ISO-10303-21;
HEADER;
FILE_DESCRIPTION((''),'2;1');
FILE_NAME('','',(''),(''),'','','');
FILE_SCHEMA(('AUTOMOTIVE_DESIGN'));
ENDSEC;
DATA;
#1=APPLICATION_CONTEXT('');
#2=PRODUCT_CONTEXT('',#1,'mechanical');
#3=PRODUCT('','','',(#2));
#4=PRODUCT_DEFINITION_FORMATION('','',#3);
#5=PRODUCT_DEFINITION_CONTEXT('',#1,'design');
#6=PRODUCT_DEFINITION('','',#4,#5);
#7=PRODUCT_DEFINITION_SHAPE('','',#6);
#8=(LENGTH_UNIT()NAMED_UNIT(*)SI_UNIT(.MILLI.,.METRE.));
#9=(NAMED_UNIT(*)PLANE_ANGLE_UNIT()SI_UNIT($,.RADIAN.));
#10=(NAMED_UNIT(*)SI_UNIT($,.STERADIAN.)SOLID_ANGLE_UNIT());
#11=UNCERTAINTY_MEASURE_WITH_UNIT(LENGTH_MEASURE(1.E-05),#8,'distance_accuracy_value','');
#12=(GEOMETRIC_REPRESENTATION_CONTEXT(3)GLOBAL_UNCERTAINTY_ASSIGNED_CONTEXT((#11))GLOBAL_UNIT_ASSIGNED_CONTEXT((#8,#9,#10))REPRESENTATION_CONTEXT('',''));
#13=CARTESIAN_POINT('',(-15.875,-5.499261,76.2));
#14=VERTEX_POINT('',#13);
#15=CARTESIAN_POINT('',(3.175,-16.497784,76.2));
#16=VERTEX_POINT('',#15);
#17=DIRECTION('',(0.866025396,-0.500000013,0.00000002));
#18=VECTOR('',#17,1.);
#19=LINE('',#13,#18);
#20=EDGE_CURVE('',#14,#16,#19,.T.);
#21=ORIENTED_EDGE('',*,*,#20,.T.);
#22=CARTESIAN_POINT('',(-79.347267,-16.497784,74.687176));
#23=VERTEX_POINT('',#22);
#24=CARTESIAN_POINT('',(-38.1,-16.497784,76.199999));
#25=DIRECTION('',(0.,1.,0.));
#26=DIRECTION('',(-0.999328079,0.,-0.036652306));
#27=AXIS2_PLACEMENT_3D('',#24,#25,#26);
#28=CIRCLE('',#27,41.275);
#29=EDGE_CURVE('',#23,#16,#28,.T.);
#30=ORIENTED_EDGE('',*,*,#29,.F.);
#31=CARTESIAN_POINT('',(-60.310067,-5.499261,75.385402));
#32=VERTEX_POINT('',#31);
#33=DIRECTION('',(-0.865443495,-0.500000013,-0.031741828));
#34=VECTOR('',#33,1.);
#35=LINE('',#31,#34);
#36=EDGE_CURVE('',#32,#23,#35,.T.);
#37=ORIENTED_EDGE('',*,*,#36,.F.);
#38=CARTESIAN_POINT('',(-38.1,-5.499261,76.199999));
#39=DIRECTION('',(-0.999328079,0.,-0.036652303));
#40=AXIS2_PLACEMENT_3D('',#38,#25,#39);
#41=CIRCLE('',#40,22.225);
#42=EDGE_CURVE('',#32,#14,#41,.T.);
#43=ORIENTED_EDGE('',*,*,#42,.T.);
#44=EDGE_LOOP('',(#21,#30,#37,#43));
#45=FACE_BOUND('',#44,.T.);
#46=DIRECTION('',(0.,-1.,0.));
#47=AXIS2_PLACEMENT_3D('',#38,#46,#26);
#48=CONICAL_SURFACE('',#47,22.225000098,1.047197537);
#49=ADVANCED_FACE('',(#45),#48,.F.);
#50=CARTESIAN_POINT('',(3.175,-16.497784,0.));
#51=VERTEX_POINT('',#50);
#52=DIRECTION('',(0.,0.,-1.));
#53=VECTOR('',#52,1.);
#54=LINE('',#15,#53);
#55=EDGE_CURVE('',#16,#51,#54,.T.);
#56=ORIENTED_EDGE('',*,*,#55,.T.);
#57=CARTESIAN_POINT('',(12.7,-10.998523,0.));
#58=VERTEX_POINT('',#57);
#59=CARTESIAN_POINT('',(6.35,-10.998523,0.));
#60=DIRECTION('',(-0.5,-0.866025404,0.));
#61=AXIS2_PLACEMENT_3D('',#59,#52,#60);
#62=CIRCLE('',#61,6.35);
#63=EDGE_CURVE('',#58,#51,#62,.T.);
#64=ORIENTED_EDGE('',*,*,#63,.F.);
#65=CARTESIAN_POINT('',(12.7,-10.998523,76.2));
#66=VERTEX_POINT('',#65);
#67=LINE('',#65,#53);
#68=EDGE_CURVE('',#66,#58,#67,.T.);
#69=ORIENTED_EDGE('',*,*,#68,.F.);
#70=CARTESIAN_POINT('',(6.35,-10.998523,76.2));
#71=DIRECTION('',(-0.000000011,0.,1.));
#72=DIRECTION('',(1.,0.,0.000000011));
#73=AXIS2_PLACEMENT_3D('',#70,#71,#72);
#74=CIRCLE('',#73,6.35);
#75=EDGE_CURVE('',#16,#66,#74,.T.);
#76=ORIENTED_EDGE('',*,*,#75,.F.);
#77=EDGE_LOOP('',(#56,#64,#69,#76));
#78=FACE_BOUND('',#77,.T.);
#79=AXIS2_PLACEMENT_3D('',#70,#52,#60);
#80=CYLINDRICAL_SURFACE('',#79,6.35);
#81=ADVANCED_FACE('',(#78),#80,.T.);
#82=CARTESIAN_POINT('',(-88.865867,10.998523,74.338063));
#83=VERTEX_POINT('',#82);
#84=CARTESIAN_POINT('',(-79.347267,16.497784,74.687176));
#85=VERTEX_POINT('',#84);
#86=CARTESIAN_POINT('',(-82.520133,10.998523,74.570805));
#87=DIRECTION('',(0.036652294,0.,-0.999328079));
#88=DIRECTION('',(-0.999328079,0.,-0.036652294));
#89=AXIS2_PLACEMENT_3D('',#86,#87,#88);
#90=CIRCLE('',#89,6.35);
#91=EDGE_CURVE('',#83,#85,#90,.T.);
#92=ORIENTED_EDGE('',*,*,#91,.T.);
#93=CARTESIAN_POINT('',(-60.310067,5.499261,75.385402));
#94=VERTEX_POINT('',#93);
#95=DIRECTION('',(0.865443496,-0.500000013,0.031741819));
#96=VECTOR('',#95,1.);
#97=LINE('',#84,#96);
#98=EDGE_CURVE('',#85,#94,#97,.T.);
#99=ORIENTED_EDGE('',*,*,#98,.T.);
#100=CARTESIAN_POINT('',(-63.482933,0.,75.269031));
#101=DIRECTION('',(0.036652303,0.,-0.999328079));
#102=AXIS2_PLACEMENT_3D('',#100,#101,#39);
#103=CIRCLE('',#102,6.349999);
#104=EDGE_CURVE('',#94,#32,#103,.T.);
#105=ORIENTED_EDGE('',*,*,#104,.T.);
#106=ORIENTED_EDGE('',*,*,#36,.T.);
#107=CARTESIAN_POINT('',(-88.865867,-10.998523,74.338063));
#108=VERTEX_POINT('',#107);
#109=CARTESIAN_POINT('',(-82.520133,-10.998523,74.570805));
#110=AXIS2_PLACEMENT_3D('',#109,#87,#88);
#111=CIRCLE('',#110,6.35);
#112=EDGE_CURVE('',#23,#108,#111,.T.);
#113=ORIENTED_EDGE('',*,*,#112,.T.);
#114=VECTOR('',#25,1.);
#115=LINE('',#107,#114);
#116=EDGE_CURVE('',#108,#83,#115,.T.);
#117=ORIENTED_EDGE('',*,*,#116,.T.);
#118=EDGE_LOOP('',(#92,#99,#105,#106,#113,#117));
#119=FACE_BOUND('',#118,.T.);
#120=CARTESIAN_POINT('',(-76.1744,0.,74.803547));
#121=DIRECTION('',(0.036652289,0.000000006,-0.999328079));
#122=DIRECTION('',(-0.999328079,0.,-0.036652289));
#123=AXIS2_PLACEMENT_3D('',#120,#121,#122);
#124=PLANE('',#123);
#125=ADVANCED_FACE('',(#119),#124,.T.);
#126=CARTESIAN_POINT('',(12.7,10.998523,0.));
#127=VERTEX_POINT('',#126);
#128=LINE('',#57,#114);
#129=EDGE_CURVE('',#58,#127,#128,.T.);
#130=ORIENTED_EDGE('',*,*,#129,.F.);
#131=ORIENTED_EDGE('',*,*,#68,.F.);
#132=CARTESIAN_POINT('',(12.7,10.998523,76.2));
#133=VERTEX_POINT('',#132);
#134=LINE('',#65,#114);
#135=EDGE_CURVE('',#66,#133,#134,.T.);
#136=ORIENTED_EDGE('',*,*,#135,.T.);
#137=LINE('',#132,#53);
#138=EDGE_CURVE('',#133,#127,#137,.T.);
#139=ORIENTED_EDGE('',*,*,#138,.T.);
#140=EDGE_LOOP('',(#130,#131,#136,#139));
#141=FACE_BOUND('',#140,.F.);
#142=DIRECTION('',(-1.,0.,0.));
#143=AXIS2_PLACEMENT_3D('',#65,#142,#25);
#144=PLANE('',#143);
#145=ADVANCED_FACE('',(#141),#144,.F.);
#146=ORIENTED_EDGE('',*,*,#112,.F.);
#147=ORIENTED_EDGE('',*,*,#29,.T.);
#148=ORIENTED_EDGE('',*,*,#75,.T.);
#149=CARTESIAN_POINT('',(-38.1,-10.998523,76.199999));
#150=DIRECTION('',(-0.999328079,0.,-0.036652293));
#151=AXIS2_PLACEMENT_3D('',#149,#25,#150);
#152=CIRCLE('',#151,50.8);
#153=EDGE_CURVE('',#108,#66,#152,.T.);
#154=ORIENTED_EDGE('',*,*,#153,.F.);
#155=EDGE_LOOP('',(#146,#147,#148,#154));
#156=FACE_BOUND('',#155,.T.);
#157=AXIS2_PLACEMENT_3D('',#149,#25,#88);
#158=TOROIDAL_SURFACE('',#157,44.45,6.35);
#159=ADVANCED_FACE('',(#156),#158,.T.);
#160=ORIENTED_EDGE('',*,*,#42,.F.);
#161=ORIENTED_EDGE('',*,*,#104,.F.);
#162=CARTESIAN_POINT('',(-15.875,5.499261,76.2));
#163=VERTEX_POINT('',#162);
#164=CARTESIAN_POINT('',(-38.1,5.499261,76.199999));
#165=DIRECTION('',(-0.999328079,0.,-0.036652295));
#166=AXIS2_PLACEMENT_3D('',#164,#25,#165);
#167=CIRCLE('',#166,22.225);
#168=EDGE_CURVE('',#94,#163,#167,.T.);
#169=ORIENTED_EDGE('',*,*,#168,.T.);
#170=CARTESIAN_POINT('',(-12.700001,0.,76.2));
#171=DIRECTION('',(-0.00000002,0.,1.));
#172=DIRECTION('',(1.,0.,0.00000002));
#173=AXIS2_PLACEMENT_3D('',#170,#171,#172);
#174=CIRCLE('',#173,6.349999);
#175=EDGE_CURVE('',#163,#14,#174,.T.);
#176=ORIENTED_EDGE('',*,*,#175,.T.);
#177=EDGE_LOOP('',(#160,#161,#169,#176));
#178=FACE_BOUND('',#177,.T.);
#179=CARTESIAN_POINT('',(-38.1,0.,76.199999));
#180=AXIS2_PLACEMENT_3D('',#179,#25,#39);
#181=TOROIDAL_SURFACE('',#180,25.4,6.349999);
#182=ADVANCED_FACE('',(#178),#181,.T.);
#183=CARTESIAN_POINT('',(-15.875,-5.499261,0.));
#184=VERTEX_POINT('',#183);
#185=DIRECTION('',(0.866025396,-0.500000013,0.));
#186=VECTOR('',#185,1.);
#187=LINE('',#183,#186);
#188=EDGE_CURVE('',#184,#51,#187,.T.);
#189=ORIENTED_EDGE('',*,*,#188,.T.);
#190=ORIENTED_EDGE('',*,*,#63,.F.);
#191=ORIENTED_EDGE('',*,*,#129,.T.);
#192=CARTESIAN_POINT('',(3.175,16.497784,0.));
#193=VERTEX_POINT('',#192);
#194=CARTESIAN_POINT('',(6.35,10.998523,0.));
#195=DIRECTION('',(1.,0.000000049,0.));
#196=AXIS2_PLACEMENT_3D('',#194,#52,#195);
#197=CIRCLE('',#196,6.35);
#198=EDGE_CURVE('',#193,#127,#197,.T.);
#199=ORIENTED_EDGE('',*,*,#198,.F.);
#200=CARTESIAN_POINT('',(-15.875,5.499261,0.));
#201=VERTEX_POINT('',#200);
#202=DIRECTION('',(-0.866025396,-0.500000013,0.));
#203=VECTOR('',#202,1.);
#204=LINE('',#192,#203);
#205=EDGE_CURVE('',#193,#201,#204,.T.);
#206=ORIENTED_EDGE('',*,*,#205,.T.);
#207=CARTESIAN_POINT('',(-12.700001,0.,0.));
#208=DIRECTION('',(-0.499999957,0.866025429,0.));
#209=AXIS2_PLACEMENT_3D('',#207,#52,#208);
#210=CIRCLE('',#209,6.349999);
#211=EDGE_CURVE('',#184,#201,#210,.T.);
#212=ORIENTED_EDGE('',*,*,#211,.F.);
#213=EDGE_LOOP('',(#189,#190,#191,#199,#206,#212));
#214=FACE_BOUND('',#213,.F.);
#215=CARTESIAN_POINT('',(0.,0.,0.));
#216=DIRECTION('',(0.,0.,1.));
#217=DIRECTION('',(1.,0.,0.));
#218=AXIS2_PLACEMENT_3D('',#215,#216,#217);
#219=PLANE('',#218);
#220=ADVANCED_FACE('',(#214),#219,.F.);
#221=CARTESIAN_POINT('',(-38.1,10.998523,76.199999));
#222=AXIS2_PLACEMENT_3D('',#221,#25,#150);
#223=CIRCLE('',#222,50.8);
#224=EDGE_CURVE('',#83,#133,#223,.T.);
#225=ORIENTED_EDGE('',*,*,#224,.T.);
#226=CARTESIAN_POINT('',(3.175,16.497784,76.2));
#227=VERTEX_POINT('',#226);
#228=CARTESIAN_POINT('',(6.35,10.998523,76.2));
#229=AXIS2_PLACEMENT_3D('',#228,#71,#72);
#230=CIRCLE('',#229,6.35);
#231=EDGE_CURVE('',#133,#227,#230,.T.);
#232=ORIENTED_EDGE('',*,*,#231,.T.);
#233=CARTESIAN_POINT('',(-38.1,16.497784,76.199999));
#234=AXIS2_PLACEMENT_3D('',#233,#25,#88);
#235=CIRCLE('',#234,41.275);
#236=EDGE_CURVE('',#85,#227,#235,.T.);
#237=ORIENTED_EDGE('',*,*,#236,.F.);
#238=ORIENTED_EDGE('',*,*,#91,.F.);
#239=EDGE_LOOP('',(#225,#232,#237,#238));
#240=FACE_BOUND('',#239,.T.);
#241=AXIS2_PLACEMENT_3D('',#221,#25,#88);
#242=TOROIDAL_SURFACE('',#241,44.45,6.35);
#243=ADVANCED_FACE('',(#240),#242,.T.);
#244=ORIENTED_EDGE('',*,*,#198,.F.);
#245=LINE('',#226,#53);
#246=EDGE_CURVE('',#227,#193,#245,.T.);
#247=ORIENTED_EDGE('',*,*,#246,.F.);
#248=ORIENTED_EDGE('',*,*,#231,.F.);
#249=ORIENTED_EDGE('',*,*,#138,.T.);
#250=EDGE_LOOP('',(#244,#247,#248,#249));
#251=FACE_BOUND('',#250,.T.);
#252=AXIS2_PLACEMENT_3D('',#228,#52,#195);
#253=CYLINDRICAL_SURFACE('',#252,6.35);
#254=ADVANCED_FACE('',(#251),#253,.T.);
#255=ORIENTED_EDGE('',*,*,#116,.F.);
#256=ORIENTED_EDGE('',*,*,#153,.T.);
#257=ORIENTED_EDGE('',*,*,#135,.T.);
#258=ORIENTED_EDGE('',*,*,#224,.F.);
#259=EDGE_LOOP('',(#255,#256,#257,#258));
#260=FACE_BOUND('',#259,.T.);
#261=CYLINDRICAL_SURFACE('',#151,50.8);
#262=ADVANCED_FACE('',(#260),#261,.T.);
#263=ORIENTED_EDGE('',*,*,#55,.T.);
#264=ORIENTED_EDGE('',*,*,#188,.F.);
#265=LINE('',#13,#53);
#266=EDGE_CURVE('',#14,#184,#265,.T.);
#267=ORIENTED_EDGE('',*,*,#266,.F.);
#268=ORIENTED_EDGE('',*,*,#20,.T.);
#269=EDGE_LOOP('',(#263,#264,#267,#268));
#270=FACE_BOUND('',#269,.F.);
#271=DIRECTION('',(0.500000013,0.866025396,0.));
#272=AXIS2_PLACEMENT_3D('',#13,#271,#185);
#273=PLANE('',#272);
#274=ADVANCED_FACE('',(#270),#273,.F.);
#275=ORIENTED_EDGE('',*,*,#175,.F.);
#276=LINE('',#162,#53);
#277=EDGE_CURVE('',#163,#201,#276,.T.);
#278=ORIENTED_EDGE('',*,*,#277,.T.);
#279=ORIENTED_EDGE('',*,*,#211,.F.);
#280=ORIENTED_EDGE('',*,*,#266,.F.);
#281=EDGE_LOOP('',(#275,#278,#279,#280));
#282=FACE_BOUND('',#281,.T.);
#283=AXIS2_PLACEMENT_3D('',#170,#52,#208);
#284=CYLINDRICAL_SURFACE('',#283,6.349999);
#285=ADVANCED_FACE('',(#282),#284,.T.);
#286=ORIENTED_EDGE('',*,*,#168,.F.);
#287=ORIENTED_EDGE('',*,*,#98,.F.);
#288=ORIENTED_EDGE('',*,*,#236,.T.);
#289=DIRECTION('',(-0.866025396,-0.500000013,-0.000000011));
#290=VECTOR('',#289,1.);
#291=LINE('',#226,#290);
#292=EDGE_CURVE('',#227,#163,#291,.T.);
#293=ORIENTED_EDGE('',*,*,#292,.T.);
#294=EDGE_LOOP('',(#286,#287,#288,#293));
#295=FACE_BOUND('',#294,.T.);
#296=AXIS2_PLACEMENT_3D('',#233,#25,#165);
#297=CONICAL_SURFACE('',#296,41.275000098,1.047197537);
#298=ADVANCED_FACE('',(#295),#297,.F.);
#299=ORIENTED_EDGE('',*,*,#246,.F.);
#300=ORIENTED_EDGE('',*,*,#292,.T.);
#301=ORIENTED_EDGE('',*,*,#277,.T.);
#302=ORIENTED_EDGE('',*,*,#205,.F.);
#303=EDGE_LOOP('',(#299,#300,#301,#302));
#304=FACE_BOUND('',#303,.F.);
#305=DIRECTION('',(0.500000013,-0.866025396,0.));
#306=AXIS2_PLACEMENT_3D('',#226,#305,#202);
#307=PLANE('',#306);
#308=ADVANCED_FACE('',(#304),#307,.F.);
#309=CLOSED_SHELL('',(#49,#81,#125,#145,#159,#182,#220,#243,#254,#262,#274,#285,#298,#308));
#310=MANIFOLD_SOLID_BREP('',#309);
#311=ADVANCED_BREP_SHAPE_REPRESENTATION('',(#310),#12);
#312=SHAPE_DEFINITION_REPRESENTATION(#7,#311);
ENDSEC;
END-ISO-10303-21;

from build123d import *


with BuildPart() as f2:
    # F2: sweep along a path in F0
    with BuildLine(Plane.XZ) as f2_path:
        ThreePointArc((-76.1744, 74.803547), (-38.798344, 114.293599), (0, 76.2))
        Line((0, 76.2), (0, 0))
    # F1 (on Top) → F2 (sweep)
    with BuildSketch(Plane.XY):
        with BuildLine():
            Line((12.7, -10.998523), (12.7, 10.998523))
            ThreePointArc((12.7, 10.998523), (9.525, 16.497784), (3.175, 16.497784))
            Line((3.175, 16.497784), (-15.875, 5.499261))
            ThreePointArc((-15.875, 5.499261), (-19.05, 0), (-15.875, -5.499261))
            Line((-15.875, -5.499261), (3.175, -16.497784))
            ThreePointArc((3.175, -16.497784), (9.525, -16.497784), (12.7, -10.998523))
        make_face()
    sweep(path=f2_path.line)


solid = f2.part
